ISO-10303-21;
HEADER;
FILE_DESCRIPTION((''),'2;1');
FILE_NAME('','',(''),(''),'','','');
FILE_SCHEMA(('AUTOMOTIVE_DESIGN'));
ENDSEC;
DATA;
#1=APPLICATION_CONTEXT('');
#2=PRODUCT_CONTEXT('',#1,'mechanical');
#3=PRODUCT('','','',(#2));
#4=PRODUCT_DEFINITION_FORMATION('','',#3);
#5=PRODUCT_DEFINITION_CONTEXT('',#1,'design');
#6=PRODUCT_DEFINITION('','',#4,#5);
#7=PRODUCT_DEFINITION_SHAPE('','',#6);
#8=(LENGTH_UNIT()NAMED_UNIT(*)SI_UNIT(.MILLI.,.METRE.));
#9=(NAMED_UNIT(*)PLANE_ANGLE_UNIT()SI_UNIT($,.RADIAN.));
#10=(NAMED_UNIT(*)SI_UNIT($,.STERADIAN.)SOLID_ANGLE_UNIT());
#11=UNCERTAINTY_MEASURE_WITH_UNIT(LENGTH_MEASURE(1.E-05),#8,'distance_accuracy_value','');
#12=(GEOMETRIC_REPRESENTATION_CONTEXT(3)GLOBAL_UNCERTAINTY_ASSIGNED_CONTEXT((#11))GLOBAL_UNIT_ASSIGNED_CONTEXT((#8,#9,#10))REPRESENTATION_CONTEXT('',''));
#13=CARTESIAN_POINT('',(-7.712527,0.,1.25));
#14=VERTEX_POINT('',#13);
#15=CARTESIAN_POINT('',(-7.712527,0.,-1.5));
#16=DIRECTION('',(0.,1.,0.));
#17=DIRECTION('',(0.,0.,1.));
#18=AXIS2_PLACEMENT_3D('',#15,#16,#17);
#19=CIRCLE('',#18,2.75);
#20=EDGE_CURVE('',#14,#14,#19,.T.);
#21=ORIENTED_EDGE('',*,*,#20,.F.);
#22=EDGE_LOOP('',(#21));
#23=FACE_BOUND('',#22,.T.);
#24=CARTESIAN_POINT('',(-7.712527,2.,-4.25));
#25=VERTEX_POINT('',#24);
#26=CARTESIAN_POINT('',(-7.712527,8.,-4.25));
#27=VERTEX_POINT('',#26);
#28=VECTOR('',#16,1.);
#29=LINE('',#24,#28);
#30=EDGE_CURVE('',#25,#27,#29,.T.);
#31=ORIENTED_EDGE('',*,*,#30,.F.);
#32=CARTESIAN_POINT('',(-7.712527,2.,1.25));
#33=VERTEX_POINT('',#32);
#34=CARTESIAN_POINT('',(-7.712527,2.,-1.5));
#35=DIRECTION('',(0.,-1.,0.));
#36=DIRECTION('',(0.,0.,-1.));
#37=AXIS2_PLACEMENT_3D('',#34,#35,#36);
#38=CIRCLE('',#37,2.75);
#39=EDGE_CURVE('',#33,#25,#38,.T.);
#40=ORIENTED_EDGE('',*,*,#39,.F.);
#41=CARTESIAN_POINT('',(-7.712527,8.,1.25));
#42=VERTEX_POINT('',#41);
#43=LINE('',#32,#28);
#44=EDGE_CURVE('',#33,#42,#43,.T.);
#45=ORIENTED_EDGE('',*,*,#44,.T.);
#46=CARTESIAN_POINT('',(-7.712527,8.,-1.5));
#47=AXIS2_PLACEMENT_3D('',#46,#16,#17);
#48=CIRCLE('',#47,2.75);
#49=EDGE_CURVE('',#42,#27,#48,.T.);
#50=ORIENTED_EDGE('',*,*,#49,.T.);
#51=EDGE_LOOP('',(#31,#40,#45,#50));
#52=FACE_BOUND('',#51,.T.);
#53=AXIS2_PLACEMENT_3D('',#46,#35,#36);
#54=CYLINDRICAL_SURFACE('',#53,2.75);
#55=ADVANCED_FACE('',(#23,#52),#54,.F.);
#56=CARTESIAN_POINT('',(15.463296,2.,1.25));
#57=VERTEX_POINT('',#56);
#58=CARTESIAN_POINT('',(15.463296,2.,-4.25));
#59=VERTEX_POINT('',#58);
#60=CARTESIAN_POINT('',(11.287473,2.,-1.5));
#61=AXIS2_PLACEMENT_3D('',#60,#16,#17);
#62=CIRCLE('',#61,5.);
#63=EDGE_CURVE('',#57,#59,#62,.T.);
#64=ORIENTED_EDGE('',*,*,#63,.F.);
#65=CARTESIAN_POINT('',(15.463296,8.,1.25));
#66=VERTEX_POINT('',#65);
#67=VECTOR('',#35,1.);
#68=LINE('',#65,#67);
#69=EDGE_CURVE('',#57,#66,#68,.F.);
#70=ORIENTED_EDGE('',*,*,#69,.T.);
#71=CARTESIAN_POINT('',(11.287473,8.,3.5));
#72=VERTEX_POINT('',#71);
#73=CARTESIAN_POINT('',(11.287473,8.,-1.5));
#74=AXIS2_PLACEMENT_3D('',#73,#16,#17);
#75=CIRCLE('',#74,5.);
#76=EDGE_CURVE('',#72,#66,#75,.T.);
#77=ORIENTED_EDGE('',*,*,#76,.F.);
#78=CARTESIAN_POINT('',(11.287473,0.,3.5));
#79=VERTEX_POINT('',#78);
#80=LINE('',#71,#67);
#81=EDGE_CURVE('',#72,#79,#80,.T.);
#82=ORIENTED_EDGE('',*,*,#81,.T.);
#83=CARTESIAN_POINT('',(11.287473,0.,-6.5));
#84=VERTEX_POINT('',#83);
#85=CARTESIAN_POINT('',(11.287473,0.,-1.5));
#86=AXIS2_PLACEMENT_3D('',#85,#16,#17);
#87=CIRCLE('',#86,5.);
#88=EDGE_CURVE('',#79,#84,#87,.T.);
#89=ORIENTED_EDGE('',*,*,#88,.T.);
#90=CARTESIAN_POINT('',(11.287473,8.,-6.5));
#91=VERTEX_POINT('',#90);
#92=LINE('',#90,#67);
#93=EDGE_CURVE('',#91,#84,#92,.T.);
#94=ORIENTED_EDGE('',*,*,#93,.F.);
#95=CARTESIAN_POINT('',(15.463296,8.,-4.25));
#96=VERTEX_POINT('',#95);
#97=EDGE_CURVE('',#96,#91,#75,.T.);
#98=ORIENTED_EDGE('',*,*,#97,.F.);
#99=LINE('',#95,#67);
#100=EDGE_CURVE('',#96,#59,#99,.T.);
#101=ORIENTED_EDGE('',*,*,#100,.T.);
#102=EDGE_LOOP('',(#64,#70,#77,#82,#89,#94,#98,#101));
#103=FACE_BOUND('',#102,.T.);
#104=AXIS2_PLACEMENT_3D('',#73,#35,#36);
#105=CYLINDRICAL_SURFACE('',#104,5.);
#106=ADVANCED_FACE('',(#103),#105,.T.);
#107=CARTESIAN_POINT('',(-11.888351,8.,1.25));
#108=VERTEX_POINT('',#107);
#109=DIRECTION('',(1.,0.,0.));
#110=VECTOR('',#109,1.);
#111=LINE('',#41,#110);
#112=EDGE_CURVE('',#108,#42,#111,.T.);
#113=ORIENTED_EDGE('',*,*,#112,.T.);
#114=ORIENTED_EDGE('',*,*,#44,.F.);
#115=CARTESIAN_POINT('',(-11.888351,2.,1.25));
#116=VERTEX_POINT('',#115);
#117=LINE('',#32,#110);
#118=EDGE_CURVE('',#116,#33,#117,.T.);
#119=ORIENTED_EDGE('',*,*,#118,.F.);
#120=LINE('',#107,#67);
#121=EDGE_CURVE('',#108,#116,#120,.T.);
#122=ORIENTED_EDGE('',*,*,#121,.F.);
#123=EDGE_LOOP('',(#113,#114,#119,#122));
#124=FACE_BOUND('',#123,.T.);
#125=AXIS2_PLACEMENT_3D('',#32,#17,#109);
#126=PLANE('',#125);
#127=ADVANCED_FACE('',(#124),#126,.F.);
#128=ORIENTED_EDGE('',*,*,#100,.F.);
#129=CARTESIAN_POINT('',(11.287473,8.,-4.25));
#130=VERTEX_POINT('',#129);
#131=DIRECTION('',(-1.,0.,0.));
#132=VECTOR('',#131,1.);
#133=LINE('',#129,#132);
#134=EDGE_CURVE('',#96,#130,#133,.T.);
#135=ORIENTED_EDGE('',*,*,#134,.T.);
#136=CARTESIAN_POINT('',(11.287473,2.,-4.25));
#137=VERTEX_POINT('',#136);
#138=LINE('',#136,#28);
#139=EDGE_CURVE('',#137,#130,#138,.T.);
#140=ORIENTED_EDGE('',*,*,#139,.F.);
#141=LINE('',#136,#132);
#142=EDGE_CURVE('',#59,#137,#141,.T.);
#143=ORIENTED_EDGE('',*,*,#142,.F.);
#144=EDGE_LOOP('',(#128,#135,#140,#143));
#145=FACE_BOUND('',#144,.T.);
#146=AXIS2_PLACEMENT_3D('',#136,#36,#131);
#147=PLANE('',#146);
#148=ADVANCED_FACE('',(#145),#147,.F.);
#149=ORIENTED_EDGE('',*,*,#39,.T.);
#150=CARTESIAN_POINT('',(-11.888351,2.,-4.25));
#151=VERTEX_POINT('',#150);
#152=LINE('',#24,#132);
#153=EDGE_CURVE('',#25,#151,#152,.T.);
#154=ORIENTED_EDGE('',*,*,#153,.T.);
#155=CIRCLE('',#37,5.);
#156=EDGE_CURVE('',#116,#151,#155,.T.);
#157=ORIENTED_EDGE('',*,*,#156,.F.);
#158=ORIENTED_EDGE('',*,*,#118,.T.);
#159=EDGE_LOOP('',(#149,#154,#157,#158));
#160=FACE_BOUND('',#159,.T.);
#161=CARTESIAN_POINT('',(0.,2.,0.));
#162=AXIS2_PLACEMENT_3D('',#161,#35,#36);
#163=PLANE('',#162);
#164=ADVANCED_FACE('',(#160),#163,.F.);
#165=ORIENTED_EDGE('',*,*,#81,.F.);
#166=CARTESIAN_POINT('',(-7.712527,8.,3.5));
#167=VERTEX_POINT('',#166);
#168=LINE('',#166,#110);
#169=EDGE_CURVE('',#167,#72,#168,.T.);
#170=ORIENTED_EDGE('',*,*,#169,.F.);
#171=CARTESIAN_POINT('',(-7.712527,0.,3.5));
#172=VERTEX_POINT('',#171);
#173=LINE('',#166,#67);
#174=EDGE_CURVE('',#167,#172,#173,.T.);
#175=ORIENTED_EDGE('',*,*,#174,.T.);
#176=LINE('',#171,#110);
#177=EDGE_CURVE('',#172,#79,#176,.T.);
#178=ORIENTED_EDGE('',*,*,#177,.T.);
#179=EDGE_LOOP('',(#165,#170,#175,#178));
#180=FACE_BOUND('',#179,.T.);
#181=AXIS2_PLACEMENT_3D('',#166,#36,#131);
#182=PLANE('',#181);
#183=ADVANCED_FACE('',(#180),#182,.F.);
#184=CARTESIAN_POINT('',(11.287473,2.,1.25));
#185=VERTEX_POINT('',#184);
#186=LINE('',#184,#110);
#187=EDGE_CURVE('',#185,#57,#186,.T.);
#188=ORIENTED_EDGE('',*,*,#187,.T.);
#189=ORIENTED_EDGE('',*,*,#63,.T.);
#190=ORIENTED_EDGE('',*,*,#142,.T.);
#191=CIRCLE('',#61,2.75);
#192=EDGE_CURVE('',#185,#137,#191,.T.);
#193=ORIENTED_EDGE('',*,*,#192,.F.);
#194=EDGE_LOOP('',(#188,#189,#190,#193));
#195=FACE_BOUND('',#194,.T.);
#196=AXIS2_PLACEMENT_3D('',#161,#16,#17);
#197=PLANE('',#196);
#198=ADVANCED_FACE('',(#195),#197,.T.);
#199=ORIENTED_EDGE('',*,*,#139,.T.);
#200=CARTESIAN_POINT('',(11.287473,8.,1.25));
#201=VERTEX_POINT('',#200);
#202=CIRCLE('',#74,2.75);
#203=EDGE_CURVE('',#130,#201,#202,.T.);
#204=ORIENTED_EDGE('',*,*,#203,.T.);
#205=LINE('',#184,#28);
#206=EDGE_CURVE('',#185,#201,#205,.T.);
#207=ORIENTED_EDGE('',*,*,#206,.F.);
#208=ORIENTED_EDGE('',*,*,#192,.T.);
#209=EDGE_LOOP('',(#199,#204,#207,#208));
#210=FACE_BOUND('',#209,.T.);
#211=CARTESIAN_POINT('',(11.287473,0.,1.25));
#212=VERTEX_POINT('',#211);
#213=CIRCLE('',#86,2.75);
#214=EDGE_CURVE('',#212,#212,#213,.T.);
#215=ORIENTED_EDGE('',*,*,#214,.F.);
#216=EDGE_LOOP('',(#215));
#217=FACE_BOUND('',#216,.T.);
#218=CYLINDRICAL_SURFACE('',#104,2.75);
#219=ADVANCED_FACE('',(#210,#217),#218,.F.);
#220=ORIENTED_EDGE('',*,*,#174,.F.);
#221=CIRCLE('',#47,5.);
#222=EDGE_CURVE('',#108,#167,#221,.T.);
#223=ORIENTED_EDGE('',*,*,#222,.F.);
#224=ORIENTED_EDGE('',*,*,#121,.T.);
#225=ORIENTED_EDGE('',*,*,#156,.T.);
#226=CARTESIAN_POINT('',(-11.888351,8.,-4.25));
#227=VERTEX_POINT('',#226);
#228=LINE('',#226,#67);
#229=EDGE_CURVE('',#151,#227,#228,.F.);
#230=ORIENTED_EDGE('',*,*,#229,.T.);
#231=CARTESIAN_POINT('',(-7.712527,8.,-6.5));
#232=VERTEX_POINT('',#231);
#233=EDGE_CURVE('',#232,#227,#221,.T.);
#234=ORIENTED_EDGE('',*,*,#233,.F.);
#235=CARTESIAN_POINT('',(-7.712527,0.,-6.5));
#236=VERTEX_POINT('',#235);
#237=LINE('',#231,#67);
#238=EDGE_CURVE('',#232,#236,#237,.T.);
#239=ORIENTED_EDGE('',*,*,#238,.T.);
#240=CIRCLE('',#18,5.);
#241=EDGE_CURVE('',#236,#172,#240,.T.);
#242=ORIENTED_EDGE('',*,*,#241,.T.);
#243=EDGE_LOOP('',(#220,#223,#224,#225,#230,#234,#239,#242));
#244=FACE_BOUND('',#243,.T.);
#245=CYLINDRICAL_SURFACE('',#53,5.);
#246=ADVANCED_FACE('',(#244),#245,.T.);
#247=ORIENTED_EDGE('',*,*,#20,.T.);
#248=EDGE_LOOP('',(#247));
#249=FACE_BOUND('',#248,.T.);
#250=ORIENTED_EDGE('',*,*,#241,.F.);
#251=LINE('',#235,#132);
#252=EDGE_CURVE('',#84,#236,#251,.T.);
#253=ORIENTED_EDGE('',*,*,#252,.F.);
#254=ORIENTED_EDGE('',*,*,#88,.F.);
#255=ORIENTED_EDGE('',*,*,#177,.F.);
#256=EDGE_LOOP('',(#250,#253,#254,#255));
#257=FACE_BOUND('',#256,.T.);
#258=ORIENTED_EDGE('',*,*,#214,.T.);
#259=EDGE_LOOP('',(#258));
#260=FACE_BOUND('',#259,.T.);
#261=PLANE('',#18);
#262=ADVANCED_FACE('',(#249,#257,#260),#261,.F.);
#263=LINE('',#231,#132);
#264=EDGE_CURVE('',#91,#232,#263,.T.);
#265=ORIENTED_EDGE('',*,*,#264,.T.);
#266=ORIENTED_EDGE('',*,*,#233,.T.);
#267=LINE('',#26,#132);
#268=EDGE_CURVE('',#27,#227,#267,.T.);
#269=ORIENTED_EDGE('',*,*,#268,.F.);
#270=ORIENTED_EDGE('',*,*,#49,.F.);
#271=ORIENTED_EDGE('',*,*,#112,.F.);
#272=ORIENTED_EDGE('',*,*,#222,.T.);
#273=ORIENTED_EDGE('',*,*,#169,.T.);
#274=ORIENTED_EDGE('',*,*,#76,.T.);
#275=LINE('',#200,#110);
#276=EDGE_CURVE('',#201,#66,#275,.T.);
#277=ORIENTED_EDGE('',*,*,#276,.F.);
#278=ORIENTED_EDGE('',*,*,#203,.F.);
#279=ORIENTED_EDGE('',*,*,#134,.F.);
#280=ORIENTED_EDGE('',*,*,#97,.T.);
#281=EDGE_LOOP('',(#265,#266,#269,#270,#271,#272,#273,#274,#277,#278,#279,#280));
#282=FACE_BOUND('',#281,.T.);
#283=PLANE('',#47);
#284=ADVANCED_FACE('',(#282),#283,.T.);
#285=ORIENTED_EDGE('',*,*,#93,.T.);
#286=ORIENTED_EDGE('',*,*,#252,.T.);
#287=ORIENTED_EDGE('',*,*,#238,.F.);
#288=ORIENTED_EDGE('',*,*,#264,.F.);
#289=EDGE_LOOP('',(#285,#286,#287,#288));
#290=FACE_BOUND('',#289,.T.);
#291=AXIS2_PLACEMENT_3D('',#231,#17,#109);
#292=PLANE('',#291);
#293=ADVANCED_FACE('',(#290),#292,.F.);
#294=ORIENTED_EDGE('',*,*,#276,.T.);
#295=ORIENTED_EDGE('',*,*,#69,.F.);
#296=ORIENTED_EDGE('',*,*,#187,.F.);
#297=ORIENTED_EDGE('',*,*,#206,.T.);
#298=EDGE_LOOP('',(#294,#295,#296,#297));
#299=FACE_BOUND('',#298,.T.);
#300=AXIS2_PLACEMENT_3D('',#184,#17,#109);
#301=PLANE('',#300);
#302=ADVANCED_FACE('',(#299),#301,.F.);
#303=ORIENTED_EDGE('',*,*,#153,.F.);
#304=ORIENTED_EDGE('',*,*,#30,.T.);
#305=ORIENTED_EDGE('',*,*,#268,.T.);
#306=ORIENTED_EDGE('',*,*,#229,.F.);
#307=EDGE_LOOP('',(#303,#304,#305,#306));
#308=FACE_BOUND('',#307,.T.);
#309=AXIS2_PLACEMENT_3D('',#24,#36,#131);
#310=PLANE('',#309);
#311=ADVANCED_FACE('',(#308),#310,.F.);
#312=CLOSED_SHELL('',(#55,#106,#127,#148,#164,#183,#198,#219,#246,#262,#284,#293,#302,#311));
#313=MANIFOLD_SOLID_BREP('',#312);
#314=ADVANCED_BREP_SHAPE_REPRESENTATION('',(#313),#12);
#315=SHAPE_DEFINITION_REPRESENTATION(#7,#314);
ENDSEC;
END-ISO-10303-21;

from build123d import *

# Parameters (mm, degrees)
SKETCH1_R           = 2.75
BOSS_EXTRUDE1_DEPTH = 8
SKETCH2_W           = 9.846047084
SKETCH2_H           = 5.5
SKETCH2_W_2         = 9.846047083
CUT_EXTRUDE1_DEPTH  = 6


with BuildPart() as part:
    # Sketch1 → Boss-Extrude1 (new body)
    with BuildSketch(Plane(origin=(0, 0, 0), x_dir=(1, 0, 0), z_dir=(0, 1, 0))):
        with BuildLine():
            Line((-7.712527276, 6.5), (11.287472724, 6.5))
            ThreePointArc((11.287472724, 6.5), (16.287472724, 1.5), (11.287472724, -3.5))
            Line((11.287472724, -3.5), (-7.712527276, -3.5))
            ThreePointArc((-7.712527276, -3.5), (-12.712527276, 1.5), (-7.712527276, 6.5))
        make_face()
        with Locations(Location((-7.712527276, 1.5, 0), (0, 0, 270))):
            Circle(SKETCH1_R, mode=Mode.SUBTRACT)
        with Locations(Location((11.287472724, 1.5, 0), (0, 0, 270))):
            Circle(SKETCH1_R, mode=Mode.SUBTRACT)
    extrude(amount=BOSS_EXTRUDE1_DEPTH)

    # Sketch2 → Cut-Extrude1 (cut)
    with BuildSketch(Plane(origin=(0, 8, 0), x_dir=(1, 0, 0), z_dir=(0, 1, 0))):
        with Locations((-12.635550818, 1.5)):
            Rectangle(SKETCH2_W, SKETCH2_H)
        with Locations((16.210496266, 1.5)):
            Rectangle(SKETCH2_W_2, SKETCH2_H)
    extrude(amount=-CUT_EXTRUDE1_DEPTH, mode=Mode.SUBTRACT)


solid = part.part
